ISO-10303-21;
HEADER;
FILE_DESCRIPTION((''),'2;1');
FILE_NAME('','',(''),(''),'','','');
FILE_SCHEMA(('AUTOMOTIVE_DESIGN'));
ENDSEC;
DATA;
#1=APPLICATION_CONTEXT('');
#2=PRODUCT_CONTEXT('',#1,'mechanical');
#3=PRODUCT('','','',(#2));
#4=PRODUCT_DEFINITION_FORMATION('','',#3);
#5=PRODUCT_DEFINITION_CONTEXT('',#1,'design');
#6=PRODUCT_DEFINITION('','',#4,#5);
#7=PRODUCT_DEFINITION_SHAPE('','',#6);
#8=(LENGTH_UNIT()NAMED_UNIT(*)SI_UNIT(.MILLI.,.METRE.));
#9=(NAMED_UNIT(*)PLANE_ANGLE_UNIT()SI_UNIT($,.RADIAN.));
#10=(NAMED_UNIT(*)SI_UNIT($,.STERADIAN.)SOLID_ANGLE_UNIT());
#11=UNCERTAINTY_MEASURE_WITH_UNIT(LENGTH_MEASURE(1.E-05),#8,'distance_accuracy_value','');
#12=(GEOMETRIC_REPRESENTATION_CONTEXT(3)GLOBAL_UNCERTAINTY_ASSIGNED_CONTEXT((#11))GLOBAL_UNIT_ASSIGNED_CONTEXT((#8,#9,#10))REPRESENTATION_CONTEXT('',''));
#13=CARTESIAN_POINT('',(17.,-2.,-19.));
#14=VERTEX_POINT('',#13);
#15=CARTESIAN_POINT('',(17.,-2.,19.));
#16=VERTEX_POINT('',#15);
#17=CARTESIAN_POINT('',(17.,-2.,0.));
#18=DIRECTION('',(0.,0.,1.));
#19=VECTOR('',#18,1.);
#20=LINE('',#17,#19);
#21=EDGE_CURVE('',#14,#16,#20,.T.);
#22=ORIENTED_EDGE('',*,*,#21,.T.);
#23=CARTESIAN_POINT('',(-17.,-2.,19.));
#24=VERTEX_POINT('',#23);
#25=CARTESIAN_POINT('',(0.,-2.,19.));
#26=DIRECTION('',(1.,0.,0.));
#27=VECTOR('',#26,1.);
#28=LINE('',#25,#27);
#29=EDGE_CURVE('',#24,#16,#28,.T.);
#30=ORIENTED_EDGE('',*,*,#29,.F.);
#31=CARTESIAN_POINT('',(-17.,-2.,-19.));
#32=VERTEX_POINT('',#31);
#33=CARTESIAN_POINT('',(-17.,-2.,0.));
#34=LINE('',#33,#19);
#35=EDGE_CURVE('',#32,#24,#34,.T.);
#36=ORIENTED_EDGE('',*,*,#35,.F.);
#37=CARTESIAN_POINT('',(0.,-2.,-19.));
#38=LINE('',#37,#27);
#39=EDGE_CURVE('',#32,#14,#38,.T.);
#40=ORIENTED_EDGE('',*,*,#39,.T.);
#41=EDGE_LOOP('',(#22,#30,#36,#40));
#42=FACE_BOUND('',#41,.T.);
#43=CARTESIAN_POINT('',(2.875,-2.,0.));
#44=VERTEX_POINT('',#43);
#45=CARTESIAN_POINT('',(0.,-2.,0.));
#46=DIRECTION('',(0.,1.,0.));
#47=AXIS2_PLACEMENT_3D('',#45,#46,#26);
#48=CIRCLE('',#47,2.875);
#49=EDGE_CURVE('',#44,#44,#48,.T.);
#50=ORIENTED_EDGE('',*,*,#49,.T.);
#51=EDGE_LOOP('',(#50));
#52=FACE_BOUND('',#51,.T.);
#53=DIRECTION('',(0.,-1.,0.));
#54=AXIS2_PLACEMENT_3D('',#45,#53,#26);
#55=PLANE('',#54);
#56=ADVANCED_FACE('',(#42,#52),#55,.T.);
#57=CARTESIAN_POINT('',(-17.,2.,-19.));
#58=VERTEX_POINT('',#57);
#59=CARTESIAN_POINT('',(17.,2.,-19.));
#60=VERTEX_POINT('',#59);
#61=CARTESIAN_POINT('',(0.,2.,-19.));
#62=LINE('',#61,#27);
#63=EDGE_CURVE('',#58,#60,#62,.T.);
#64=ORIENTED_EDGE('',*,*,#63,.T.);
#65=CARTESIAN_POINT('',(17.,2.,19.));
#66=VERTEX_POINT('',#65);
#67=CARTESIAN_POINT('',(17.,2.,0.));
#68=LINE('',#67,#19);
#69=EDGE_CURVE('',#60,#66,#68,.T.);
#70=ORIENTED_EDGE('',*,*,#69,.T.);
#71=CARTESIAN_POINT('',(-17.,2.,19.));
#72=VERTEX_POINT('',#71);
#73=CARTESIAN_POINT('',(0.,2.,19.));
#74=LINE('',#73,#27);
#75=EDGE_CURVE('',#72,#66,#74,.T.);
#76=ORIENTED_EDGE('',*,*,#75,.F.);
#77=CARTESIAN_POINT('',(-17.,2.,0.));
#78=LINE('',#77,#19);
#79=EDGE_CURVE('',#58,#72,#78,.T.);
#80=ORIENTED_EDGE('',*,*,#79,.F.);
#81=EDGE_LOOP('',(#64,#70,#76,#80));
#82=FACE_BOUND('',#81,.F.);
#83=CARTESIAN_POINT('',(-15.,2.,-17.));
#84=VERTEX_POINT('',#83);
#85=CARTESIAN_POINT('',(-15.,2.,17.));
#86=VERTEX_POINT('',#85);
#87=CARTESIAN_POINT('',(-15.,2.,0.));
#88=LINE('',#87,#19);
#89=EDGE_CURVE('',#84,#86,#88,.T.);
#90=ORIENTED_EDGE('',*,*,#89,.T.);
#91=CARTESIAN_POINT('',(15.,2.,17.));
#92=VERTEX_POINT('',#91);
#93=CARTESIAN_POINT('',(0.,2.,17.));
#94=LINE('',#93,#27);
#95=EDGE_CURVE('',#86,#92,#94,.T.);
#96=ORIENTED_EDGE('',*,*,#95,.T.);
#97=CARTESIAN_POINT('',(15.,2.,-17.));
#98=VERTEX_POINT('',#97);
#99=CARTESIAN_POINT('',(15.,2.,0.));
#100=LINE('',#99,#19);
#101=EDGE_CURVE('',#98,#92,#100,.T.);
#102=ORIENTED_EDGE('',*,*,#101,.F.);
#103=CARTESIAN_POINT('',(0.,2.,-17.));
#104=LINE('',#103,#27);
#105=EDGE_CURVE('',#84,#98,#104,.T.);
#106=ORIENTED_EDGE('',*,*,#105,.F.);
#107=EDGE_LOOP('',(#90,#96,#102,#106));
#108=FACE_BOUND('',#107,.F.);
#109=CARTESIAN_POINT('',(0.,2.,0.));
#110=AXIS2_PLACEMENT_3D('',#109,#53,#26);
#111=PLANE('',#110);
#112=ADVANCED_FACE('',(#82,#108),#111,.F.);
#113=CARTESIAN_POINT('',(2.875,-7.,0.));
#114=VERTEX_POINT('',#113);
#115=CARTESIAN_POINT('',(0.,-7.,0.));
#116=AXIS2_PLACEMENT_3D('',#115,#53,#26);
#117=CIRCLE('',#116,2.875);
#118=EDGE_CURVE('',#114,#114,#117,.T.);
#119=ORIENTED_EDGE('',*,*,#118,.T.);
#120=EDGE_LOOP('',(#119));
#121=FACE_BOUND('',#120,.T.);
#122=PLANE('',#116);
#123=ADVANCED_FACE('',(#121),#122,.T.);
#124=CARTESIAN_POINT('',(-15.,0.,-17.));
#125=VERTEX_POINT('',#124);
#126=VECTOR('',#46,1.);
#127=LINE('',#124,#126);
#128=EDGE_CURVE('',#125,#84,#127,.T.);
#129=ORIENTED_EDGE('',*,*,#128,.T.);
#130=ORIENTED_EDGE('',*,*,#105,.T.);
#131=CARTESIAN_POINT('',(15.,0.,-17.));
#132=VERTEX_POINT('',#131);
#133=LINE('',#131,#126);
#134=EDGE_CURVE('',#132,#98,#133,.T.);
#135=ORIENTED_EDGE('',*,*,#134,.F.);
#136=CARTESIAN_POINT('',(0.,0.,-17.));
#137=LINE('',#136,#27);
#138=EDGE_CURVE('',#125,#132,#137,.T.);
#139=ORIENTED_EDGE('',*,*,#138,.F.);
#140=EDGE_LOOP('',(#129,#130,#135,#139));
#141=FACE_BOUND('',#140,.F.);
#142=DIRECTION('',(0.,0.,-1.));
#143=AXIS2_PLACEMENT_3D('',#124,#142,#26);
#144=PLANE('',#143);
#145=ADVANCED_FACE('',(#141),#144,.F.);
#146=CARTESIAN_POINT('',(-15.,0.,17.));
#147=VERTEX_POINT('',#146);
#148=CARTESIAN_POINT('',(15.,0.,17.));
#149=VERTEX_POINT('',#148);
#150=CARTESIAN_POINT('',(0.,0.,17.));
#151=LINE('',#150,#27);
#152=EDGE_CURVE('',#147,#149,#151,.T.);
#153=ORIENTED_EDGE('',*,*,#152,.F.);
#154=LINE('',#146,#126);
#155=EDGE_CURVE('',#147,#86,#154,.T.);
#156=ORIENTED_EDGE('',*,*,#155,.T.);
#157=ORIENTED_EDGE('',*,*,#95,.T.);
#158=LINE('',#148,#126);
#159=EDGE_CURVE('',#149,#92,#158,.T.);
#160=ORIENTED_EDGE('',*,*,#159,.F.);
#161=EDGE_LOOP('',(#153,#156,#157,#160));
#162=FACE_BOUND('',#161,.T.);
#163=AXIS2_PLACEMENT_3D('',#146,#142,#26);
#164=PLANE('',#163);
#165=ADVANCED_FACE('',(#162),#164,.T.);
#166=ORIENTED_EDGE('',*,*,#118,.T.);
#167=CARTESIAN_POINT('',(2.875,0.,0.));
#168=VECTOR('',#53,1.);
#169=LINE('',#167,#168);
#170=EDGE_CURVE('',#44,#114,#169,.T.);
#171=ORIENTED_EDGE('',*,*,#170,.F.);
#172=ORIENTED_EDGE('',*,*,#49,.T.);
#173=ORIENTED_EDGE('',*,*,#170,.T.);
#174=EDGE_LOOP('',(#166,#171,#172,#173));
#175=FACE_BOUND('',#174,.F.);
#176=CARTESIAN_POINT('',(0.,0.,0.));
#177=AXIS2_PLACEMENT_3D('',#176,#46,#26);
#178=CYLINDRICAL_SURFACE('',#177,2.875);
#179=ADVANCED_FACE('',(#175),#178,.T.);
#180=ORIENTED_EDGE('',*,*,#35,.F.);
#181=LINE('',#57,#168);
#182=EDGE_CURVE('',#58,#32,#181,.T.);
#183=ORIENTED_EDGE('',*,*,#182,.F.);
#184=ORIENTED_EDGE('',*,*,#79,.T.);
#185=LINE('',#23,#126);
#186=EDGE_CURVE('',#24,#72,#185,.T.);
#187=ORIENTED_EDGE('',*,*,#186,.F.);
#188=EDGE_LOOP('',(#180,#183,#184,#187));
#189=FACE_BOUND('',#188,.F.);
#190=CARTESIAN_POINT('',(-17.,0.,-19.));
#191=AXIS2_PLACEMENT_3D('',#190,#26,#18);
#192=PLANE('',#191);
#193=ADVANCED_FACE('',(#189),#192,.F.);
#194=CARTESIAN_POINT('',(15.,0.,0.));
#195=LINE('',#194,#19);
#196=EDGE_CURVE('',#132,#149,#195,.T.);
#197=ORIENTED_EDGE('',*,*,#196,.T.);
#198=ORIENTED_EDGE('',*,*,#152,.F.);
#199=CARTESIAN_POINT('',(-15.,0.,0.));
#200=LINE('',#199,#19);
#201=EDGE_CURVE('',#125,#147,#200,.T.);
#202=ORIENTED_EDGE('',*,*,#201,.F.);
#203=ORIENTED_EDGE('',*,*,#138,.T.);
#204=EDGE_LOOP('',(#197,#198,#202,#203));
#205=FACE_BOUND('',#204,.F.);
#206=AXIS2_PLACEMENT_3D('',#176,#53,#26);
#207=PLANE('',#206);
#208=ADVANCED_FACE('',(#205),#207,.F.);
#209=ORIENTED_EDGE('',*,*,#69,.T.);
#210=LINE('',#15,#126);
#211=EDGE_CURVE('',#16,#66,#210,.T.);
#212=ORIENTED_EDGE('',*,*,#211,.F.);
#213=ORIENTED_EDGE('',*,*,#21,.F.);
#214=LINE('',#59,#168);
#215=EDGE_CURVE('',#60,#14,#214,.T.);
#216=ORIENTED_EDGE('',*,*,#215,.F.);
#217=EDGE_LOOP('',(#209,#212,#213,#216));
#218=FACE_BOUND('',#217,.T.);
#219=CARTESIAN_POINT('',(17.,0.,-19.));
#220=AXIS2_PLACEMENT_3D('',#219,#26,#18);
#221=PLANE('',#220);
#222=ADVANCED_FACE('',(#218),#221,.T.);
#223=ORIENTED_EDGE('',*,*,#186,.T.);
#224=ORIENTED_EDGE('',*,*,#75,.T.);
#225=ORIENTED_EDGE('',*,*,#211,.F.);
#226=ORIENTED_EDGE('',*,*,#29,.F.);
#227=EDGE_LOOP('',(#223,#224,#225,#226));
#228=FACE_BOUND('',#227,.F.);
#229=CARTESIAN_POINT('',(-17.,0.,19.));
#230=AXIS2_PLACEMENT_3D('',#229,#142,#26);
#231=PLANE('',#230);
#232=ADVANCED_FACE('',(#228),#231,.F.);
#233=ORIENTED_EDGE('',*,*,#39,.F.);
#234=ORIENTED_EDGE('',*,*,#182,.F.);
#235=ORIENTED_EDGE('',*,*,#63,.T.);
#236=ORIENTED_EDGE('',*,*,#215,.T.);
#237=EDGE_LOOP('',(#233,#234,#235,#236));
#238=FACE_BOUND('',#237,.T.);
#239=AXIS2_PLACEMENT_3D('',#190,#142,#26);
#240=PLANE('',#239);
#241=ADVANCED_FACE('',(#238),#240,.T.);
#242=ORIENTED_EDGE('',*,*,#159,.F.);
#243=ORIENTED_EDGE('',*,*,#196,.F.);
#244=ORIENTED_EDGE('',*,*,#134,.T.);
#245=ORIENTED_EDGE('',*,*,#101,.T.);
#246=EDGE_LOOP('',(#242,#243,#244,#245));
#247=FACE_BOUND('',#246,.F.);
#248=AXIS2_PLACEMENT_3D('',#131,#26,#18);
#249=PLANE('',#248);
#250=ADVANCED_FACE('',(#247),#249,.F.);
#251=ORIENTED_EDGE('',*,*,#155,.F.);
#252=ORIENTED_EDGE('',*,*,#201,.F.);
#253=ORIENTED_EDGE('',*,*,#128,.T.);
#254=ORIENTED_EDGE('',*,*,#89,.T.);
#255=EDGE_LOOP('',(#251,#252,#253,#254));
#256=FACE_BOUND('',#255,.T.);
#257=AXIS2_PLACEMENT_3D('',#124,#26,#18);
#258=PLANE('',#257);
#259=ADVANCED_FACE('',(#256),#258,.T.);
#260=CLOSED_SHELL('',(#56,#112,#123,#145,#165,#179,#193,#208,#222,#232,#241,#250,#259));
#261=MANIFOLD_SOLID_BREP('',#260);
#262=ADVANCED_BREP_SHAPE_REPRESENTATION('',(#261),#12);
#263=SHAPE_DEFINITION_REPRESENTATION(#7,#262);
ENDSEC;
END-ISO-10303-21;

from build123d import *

# Parameters (mm, degrees)
F0_W     = 34
F0_H     = 38
F0_W_2   = 30
F0_H_2   = 34
F1_DEPTH = 2
F2_R     = 2.875
F3_DEPTH = 7
F4_DEPTH = 2


with BuildPart() as f1:
    # F0 (on Front) → F1 (new body)
    with BuildSketch(Plane.XZ):
        Rectangle(F0_W, F0_H)
        Rectangle(F0_W_2, F0_H_2, mode=Mode.SUBTRACT)
        Rectangle(F0_W_2, F0_H_2)
    extrude(amount=F1_DEPTH)

    # F2 (on Front) → F3 (join)
    with BuildSketch(Plane.XZ):
        Circle(F2_R)
    extrude(amount=F3_DEPTH)

    # F0 (on Front) → F4 (join)
    with BuildSketch(Plane.XZ):
        Rectangle(F0_W, F0_H)
        Rectangle(F0_W_2, F0_H_2, mode=Mode.SUBTRACT)
    extrude(amount=-F4_DEPTH)


solid = f1.part
